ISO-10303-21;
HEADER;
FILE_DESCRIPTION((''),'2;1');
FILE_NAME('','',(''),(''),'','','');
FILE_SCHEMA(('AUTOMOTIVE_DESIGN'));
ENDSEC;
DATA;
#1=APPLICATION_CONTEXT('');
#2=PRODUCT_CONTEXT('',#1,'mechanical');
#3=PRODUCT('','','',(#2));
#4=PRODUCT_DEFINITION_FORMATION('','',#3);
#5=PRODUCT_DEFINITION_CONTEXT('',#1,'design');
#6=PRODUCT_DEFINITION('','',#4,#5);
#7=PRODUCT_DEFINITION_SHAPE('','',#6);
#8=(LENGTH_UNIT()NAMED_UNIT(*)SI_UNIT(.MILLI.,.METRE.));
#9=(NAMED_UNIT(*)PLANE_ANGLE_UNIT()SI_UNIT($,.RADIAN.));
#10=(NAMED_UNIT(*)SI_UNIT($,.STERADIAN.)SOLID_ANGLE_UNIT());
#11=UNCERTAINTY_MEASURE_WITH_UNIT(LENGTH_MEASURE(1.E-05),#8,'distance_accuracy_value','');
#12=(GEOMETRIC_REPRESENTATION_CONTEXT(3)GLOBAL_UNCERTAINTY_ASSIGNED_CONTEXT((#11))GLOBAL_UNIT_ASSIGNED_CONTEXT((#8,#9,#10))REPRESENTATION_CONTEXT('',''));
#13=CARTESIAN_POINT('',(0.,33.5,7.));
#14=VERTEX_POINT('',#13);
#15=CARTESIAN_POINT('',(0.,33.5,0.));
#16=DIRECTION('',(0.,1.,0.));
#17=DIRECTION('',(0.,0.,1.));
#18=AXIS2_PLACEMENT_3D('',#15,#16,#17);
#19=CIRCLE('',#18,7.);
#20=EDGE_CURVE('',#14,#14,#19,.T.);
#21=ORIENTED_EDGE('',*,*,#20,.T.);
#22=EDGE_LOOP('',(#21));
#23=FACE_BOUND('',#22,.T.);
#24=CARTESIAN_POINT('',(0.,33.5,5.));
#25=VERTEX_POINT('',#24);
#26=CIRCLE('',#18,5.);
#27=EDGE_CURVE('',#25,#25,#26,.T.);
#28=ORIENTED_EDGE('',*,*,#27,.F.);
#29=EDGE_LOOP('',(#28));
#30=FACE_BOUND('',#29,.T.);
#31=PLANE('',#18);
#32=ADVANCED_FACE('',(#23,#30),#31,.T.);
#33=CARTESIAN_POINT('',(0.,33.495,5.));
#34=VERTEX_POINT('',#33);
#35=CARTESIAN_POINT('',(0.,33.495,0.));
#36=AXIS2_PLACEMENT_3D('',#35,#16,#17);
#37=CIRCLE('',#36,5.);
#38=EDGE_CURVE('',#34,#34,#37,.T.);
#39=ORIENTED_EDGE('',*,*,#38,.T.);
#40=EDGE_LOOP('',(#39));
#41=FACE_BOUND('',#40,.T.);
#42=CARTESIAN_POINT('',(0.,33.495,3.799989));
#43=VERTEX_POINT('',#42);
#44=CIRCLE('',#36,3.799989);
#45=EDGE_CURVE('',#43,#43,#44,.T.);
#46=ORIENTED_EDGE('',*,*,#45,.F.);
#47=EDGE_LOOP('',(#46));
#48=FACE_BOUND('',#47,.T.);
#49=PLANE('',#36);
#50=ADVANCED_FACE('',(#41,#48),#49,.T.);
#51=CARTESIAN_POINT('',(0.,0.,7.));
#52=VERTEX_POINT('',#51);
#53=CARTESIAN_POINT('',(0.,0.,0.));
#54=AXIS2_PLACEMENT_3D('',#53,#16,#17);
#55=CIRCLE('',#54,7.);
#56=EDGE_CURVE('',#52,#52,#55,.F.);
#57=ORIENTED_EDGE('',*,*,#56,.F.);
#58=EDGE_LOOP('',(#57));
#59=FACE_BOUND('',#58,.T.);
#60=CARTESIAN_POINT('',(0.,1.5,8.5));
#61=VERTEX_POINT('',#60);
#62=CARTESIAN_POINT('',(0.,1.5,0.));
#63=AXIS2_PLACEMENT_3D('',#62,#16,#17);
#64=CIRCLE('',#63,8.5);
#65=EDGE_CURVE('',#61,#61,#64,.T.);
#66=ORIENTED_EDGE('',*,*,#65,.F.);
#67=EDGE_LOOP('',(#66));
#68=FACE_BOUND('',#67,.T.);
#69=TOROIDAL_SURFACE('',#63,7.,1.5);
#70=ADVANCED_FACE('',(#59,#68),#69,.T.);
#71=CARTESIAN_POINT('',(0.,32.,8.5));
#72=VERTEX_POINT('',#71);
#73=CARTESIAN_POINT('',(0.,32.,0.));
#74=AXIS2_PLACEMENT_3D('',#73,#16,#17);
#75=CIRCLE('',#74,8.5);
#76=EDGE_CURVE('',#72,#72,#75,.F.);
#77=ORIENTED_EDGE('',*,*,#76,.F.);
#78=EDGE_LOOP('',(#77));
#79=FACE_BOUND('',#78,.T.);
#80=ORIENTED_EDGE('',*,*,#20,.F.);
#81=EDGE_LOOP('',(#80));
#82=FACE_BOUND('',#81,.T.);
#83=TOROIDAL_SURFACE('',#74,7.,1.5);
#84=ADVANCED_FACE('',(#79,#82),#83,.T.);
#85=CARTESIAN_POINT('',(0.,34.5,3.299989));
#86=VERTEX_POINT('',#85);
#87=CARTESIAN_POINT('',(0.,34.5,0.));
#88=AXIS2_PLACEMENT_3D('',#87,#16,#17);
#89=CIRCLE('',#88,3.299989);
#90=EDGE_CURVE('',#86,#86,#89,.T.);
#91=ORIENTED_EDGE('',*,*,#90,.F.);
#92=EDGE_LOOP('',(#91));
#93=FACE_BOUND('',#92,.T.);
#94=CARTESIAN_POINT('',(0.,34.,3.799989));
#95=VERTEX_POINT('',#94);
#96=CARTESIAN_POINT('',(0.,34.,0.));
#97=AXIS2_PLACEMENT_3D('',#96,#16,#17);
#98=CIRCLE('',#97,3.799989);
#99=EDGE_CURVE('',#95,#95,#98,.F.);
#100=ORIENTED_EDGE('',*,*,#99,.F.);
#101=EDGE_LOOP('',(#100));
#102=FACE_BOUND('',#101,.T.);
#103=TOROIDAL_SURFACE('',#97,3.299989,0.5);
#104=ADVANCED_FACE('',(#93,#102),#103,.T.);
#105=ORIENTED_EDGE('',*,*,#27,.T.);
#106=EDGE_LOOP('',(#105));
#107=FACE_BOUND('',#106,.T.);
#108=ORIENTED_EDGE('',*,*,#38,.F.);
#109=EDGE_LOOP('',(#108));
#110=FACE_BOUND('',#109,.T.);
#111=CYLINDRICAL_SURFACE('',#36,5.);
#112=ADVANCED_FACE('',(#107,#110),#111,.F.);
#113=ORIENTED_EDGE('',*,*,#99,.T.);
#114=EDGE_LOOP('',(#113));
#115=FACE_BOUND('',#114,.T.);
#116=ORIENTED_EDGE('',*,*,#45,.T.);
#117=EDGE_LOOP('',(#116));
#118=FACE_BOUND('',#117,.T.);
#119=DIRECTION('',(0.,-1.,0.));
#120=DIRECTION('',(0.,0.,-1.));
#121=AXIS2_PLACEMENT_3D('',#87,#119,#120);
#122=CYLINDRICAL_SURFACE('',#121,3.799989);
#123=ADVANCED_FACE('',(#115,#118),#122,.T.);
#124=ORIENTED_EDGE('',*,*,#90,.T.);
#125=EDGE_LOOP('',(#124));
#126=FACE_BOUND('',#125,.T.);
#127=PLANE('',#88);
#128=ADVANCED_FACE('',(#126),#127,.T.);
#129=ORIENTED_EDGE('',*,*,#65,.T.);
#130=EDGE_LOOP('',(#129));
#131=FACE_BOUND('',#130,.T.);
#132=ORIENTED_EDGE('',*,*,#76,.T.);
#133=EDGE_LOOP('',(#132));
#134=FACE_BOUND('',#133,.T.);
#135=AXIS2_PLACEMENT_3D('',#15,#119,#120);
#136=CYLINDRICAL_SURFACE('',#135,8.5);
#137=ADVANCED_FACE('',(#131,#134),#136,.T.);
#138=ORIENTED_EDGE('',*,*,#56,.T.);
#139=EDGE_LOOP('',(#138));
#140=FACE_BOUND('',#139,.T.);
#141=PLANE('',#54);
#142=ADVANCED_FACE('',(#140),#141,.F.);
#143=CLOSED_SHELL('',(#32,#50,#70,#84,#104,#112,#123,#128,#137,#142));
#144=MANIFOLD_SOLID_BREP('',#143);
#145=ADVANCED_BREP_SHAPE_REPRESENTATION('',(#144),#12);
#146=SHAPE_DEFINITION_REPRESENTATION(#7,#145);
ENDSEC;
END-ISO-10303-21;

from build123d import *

# Parameters (mm, degrees)
SKIZZE1_R                       = 8.5
AUFSATZ_LINEAR_AUSTRAGEN1_DEPTH = 33.5
SKIZZE2_R                       = 3.799988553
AUFSATZ_LINEAR_AUSTRAGEN2_DEPTH = 1
VERRUNDUNG1_R                   = 1.5
VERRUNDUNG2_R                   = 0.5
SKIZZE3_R                       = 5
SKIZZE3_R_2                     = 3.799988553
SCHNITT_LINEAR_AUSTRAGEN1_DEPTH = 0.005


with BuildPart() as part:
    # Skizze1 → Aufsatz-Linear austragen1 (new body)
    with BuildSketch(Plane(origin=(0, 0, 0), x_dir=(1, 0, 0), z_dir=(0, 1, 0))):
        Circle(SKIZZE1_R)
    extrude(amount=AUFSATZ_LINEAR_AUSTRAGEN1_DEPTH)

    # Skizze2 → Aufsatz-Linear austragen2 (add)
    with BuildSketch(Plane(origin=(0, 33.5, 0), x_dir=(1, 0, 0), z_dir=(0, 1, 0))):
        Circle(SKIZZE2_R)
    extrude(amount=AUFSATZ_LINEAR_AUSTRAGEN2_DEPTH)

    # Verrundung1
    verrundung1_edges = [part.edges().sort_by_distance(p)[0] for p in [
        (-8.5, 0, 0),
        (-8.5, 33.5, 0),
    ]]
    fillet(verrundung1_edges, radius=VERRUNDUNG1_R)

    # Verrundung2
    verrundung2_edges = [part.edges().sort_by_distance(p)[0] for p in [
        (-3.799988553, 34.5, 0),
    ]]
    fillet(verrundung2_edges, radius=VERRUNDUNG2_R)

    # Skizze3 → Schnitt-Linear austragen1 (cut)
    with BuildSketch(Plane(origin=(0, 33.5, 0), x_dir=(1, 0, 0), z_dir=(0, 1, 0))):
        Circle(SKIZZE3_R)
        Circle(SKIZZE3_R_2, mode=Mode.SUBTRACT)
    extrude(amount=-SCHNITT_LINEAR_AUSTRAGEN1_DEPTH, mode=Mode.SUBTRACT)


solid = part.part
